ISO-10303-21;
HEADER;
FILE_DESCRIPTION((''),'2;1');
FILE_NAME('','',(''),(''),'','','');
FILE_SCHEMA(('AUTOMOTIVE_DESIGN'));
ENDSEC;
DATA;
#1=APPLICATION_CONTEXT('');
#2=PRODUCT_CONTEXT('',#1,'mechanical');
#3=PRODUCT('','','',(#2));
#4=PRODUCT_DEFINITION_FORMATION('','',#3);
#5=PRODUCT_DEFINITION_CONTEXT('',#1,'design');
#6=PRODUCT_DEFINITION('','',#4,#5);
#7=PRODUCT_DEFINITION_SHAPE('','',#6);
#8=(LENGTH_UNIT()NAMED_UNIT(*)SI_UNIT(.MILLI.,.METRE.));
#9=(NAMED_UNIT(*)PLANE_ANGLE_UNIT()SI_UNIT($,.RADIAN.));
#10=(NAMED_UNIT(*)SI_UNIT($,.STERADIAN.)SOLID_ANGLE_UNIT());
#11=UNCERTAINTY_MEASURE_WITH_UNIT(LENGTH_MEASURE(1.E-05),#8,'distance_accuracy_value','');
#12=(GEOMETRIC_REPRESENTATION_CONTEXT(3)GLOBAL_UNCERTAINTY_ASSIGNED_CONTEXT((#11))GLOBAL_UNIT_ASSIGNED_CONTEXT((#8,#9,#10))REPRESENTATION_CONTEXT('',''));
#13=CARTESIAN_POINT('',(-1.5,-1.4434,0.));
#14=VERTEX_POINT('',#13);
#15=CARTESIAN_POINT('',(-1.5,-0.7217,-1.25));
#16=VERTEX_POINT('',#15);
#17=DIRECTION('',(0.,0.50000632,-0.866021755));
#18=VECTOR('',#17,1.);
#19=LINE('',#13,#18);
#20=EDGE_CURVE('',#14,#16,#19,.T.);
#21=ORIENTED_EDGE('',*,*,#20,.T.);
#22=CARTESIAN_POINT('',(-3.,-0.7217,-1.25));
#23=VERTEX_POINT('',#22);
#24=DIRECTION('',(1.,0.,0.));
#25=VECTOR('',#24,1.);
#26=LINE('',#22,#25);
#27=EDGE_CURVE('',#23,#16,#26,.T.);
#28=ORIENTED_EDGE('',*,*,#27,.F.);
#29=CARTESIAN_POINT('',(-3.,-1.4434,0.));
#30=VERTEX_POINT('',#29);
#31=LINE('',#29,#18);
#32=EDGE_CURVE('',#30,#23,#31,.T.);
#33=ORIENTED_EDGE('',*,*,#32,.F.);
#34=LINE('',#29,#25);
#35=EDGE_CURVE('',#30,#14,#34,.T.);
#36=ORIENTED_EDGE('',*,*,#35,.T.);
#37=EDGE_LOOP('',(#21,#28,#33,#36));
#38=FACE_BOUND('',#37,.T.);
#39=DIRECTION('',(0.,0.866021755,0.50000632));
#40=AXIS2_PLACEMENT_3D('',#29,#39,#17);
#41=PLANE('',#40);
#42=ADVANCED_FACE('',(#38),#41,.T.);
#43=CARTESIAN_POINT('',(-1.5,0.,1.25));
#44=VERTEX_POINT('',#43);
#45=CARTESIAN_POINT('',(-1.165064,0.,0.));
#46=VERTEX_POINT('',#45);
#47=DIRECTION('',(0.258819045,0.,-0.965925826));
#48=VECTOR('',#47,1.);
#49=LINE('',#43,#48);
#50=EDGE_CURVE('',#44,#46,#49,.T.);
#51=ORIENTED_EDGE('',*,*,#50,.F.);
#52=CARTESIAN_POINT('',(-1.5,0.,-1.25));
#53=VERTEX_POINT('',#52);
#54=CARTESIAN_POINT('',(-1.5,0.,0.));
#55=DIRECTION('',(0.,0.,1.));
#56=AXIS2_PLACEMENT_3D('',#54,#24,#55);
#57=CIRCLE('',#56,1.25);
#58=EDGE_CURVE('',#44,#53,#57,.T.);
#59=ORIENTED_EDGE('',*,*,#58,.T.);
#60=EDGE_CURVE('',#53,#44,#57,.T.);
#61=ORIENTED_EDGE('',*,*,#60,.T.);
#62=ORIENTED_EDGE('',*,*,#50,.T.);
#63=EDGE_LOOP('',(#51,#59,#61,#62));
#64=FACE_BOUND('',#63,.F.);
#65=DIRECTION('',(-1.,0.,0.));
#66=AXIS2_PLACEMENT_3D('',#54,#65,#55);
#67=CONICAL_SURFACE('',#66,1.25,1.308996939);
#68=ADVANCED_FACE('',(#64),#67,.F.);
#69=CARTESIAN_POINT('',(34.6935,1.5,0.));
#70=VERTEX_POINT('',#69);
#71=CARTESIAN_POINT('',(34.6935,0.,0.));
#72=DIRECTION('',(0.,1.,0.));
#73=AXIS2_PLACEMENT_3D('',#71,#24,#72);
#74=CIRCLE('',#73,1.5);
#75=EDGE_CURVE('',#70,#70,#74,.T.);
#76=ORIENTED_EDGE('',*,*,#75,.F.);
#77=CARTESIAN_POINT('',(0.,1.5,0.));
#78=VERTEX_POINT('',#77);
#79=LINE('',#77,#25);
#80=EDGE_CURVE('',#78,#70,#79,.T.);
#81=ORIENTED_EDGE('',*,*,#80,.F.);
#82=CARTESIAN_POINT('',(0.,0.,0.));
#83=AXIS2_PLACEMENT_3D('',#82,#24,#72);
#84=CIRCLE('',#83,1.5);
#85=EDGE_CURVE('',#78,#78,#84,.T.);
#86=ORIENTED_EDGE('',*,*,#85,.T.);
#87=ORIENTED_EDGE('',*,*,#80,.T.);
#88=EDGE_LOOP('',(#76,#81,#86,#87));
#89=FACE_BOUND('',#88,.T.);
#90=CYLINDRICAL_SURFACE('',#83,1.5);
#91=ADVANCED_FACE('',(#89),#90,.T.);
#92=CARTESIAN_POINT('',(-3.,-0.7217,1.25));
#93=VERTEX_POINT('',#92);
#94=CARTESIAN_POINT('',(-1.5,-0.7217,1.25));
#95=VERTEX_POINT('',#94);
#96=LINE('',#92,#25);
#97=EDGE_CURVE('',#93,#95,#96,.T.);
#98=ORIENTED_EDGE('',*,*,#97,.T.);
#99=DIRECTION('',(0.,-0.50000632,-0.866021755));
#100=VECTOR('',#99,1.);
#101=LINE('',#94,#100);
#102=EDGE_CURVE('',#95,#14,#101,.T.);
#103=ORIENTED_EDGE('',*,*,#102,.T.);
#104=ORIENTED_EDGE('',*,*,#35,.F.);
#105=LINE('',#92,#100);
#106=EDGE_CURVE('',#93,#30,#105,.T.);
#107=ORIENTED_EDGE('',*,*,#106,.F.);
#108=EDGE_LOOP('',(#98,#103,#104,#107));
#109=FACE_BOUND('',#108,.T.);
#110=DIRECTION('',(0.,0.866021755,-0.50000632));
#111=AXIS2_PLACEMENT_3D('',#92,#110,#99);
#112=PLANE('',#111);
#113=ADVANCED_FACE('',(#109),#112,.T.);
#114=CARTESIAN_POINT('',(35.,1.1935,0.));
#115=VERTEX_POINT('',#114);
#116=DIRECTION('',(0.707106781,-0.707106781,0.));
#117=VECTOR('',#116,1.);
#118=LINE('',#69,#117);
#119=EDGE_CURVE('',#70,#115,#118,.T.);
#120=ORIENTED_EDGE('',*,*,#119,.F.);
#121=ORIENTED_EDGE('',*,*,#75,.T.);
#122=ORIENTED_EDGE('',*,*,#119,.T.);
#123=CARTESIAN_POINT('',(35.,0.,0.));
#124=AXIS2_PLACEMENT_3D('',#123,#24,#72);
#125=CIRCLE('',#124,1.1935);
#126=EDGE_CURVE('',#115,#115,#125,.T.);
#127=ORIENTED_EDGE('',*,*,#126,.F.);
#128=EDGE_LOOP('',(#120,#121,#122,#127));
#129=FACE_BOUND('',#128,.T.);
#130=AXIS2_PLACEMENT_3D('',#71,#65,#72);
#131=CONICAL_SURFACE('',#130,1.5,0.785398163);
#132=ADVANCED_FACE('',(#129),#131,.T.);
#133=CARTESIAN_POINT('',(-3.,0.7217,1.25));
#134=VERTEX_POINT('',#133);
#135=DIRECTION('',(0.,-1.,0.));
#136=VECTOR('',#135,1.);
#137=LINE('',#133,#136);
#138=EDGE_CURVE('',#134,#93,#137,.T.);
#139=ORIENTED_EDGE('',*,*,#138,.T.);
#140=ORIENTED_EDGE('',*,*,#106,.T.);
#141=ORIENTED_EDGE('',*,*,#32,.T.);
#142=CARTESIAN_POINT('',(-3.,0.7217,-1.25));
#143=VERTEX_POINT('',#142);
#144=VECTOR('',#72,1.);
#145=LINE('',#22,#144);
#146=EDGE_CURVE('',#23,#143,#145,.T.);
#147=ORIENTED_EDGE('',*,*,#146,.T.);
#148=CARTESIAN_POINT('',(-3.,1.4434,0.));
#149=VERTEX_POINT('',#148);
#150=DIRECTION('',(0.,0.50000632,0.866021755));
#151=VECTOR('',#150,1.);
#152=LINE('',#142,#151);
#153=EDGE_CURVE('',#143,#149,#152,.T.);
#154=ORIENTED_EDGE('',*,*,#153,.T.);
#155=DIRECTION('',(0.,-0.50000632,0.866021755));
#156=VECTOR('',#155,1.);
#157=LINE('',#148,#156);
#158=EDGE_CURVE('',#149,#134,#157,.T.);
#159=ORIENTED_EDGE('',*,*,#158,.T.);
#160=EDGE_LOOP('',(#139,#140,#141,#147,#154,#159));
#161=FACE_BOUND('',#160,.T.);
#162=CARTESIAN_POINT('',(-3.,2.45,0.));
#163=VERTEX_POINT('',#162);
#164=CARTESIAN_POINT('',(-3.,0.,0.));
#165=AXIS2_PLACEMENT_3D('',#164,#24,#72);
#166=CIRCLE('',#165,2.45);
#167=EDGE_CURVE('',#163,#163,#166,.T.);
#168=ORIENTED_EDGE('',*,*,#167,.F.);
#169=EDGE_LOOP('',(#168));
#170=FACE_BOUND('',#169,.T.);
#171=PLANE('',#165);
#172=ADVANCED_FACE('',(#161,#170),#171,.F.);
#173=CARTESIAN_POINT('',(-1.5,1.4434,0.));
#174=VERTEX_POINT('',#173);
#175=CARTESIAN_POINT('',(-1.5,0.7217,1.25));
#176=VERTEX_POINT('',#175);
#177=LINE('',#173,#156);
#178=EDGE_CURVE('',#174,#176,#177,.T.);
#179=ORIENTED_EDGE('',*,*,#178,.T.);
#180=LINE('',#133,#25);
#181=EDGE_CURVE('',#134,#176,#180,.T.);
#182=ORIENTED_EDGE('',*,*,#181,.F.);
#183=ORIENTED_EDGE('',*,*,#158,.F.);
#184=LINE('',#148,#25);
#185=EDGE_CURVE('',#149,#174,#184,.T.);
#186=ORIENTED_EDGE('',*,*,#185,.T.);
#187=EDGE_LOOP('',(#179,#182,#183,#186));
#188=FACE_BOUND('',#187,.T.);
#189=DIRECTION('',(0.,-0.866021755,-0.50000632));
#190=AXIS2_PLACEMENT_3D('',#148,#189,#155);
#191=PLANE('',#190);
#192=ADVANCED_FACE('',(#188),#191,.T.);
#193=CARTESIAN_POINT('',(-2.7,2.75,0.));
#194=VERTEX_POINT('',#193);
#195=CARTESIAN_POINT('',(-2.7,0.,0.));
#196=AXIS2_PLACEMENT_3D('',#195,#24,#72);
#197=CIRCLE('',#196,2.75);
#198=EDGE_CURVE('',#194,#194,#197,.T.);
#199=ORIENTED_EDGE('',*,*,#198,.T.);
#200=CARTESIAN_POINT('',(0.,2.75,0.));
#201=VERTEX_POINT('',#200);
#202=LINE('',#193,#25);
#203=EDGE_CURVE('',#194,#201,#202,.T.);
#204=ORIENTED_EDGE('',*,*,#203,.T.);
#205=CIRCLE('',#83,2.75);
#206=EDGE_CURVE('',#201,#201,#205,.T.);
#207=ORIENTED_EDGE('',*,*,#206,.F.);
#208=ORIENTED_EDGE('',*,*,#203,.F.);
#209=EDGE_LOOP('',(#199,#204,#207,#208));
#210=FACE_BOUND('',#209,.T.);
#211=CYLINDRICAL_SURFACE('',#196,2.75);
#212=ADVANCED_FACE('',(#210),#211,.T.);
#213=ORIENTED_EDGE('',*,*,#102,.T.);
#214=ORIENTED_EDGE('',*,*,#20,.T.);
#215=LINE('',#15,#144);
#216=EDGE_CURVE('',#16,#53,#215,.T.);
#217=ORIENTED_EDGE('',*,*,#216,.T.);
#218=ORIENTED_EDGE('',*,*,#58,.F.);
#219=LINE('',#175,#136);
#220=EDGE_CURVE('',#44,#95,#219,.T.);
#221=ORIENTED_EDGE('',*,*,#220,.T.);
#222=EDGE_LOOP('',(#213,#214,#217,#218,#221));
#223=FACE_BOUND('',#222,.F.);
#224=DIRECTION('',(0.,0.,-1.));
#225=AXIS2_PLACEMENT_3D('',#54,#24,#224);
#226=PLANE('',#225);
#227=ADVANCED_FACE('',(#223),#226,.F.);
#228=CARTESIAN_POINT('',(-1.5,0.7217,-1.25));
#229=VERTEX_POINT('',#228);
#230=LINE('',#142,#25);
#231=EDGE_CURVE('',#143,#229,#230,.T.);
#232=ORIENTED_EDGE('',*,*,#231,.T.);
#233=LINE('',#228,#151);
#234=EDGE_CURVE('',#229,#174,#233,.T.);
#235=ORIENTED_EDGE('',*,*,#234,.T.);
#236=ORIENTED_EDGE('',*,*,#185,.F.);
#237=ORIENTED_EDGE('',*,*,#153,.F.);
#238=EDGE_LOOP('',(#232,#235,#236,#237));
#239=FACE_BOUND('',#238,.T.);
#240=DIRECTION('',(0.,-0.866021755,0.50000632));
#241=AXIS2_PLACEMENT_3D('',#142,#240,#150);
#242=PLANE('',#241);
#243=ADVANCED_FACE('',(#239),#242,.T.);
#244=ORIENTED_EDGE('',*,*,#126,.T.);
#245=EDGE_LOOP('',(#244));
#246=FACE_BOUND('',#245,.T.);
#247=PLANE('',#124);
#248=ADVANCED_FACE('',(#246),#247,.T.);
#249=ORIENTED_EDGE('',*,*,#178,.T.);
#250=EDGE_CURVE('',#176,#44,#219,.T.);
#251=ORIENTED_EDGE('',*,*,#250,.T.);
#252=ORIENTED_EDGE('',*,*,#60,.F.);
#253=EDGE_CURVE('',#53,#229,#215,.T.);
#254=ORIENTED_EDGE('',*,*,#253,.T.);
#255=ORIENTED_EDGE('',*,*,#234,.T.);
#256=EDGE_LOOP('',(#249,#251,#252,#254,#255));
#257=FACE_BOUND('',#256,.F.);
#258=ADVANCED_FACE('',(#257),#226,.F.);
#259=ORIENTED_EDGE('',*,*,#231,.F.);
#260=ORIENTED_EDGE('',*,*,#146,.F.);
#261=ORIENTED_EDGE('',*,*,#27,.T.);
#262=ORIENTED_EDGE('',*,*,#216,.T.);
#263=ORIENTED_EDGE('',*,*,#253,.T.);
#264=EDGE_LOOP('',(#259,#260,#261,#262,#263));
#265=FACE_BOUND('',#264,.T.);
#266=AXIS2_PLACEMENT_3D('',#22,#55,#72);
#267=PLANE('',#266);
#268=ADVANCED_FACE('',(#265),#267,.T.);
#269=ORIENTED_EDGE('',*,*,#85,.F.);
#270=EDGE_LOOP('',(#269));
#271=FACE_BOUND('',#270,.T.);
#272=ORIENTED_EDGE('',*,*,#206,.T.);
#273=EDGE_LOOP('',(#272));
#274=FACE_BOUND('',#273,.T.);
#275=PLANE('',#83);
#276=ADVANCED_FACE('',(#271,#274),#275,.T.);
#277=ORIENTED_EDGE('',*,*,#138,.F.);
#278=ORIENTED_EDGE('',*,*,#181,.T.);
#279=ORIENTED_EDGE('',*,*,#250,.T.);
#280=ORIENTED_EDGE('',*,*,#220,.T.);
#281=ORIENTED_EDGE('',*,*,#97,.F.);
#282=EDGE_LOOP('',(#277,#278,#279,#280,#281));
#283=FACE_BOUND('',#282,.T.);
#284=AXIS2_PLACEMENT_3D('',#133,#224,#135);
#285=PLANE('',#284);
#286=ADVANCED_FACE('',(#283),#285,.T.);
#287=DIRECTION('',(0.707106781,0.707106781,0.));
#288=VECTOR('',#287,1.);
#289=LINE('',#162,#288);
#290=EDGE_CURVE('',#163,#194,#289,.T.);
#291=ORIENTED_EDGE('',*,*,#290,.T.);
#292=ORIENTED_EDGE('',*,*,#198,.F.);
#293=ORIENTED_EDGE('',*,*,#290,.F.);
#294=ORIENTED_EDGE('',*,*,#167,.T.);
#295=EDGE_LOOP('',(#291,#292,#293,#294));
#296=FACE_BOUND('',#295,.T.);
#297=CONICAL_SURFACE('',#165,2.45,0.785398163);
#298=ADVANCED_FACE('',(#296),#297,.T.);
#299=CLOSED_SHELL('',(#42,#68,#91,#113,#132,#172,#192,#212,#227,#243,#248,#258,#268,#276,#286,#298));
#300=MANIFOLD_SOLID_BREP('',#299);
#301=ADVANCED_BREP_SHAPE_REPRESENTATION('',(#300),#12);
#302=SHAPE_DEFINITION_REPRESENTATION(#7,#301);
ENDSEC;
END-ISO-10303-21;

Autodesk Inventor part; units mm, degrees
sketch "Sketch_2" plane through (0, 0, 0) normal (0, 0, 1) x (1, 0, 0)
  line L0 (35, 0) -> (-3, 0)
  line L1 (-3, 0) -> (-3, 2.45)
  line L2 (-3, 2.45) -> (-2.7, 2.75)
  line L3 (-2.7, 2.75) -> (0, 2.75)
  line L4 (0, 2.75) -> (0, 1.5)
  line L5 (0, 1.5) -> (34.6935, 1.5)
  line L6 (34.6935, 1.5) -> (35, 1.1935)
  line L7 (35, 1.1935) -> (35, 0)
  line L8 (35, 0) -> (-3, 0)
revolve "Revolution1" add sketch "Sketch_2" angle 360 about axis through (35, 0, 0) along (1, 0, 0)
thread "Thread1" size "M3x0.5" class "6g" standard "ISO Metric profile" length 17.6935
sketch "Sketch2" plane through (-3, 0, 0) normal (-1, 0, 0) x (0, 0, 1)
  point P0 (0, 0)
hole "Hole1" at (-3, 0, 0) direction (1, 0, 0) diameter 2.5 depth 1.5 tip angle 150
sketch "Sketch_3" plane through (-3, 0, 0) normal (1, 0, 0) x (0, 0, -1)
  line L0 (-1.25, -0.7217) -> (0, -1.4434)
  line L1 (0, -1.4434) -> (1.25, -0.7217)
  line L2 (1.25, -0.7217) -> (1.25, 0.7217)
  line L3 (1.25, 0.7217) -> (0, 1.4434)
  line L4 (0, 1.4434) -> (-1.25, 0.7217)
  line L5 (-1.25, 0.7217) -> (-1.25, -0.7217)
extrude "Extrusion1" cut sketch "Sketch_3" along normal blind 1.5
ref_plane "bolt_to_nut_XY" through (35, 0, 0) normal (1, 0, 0) x (0, 0, -1)
ref_plane "bolt_to_nut_YZ" through (35, 0, 0) normal (0, 0, -1) x (0, 1, 0)
ref_plane "bolt_to_nut_ZX" through (35, 0, 0) normal (0, 1, 0) x (1, 0, 0)
ref_plane "screw1_XY" through (0, 0, 0) normal (1, 0, 0) x (0, 0, -1)
ref_plane "screw1_YZ" through (0, 0, 0) normal (0, 0, -1) x (0, 1, 0)
ref_plane "screw1_ZX" through (0, 0, 0) normal (0, 1, 0) x (1, 0, 0)
properties part number "CB3-35" material "鋼、炭素鋼"
